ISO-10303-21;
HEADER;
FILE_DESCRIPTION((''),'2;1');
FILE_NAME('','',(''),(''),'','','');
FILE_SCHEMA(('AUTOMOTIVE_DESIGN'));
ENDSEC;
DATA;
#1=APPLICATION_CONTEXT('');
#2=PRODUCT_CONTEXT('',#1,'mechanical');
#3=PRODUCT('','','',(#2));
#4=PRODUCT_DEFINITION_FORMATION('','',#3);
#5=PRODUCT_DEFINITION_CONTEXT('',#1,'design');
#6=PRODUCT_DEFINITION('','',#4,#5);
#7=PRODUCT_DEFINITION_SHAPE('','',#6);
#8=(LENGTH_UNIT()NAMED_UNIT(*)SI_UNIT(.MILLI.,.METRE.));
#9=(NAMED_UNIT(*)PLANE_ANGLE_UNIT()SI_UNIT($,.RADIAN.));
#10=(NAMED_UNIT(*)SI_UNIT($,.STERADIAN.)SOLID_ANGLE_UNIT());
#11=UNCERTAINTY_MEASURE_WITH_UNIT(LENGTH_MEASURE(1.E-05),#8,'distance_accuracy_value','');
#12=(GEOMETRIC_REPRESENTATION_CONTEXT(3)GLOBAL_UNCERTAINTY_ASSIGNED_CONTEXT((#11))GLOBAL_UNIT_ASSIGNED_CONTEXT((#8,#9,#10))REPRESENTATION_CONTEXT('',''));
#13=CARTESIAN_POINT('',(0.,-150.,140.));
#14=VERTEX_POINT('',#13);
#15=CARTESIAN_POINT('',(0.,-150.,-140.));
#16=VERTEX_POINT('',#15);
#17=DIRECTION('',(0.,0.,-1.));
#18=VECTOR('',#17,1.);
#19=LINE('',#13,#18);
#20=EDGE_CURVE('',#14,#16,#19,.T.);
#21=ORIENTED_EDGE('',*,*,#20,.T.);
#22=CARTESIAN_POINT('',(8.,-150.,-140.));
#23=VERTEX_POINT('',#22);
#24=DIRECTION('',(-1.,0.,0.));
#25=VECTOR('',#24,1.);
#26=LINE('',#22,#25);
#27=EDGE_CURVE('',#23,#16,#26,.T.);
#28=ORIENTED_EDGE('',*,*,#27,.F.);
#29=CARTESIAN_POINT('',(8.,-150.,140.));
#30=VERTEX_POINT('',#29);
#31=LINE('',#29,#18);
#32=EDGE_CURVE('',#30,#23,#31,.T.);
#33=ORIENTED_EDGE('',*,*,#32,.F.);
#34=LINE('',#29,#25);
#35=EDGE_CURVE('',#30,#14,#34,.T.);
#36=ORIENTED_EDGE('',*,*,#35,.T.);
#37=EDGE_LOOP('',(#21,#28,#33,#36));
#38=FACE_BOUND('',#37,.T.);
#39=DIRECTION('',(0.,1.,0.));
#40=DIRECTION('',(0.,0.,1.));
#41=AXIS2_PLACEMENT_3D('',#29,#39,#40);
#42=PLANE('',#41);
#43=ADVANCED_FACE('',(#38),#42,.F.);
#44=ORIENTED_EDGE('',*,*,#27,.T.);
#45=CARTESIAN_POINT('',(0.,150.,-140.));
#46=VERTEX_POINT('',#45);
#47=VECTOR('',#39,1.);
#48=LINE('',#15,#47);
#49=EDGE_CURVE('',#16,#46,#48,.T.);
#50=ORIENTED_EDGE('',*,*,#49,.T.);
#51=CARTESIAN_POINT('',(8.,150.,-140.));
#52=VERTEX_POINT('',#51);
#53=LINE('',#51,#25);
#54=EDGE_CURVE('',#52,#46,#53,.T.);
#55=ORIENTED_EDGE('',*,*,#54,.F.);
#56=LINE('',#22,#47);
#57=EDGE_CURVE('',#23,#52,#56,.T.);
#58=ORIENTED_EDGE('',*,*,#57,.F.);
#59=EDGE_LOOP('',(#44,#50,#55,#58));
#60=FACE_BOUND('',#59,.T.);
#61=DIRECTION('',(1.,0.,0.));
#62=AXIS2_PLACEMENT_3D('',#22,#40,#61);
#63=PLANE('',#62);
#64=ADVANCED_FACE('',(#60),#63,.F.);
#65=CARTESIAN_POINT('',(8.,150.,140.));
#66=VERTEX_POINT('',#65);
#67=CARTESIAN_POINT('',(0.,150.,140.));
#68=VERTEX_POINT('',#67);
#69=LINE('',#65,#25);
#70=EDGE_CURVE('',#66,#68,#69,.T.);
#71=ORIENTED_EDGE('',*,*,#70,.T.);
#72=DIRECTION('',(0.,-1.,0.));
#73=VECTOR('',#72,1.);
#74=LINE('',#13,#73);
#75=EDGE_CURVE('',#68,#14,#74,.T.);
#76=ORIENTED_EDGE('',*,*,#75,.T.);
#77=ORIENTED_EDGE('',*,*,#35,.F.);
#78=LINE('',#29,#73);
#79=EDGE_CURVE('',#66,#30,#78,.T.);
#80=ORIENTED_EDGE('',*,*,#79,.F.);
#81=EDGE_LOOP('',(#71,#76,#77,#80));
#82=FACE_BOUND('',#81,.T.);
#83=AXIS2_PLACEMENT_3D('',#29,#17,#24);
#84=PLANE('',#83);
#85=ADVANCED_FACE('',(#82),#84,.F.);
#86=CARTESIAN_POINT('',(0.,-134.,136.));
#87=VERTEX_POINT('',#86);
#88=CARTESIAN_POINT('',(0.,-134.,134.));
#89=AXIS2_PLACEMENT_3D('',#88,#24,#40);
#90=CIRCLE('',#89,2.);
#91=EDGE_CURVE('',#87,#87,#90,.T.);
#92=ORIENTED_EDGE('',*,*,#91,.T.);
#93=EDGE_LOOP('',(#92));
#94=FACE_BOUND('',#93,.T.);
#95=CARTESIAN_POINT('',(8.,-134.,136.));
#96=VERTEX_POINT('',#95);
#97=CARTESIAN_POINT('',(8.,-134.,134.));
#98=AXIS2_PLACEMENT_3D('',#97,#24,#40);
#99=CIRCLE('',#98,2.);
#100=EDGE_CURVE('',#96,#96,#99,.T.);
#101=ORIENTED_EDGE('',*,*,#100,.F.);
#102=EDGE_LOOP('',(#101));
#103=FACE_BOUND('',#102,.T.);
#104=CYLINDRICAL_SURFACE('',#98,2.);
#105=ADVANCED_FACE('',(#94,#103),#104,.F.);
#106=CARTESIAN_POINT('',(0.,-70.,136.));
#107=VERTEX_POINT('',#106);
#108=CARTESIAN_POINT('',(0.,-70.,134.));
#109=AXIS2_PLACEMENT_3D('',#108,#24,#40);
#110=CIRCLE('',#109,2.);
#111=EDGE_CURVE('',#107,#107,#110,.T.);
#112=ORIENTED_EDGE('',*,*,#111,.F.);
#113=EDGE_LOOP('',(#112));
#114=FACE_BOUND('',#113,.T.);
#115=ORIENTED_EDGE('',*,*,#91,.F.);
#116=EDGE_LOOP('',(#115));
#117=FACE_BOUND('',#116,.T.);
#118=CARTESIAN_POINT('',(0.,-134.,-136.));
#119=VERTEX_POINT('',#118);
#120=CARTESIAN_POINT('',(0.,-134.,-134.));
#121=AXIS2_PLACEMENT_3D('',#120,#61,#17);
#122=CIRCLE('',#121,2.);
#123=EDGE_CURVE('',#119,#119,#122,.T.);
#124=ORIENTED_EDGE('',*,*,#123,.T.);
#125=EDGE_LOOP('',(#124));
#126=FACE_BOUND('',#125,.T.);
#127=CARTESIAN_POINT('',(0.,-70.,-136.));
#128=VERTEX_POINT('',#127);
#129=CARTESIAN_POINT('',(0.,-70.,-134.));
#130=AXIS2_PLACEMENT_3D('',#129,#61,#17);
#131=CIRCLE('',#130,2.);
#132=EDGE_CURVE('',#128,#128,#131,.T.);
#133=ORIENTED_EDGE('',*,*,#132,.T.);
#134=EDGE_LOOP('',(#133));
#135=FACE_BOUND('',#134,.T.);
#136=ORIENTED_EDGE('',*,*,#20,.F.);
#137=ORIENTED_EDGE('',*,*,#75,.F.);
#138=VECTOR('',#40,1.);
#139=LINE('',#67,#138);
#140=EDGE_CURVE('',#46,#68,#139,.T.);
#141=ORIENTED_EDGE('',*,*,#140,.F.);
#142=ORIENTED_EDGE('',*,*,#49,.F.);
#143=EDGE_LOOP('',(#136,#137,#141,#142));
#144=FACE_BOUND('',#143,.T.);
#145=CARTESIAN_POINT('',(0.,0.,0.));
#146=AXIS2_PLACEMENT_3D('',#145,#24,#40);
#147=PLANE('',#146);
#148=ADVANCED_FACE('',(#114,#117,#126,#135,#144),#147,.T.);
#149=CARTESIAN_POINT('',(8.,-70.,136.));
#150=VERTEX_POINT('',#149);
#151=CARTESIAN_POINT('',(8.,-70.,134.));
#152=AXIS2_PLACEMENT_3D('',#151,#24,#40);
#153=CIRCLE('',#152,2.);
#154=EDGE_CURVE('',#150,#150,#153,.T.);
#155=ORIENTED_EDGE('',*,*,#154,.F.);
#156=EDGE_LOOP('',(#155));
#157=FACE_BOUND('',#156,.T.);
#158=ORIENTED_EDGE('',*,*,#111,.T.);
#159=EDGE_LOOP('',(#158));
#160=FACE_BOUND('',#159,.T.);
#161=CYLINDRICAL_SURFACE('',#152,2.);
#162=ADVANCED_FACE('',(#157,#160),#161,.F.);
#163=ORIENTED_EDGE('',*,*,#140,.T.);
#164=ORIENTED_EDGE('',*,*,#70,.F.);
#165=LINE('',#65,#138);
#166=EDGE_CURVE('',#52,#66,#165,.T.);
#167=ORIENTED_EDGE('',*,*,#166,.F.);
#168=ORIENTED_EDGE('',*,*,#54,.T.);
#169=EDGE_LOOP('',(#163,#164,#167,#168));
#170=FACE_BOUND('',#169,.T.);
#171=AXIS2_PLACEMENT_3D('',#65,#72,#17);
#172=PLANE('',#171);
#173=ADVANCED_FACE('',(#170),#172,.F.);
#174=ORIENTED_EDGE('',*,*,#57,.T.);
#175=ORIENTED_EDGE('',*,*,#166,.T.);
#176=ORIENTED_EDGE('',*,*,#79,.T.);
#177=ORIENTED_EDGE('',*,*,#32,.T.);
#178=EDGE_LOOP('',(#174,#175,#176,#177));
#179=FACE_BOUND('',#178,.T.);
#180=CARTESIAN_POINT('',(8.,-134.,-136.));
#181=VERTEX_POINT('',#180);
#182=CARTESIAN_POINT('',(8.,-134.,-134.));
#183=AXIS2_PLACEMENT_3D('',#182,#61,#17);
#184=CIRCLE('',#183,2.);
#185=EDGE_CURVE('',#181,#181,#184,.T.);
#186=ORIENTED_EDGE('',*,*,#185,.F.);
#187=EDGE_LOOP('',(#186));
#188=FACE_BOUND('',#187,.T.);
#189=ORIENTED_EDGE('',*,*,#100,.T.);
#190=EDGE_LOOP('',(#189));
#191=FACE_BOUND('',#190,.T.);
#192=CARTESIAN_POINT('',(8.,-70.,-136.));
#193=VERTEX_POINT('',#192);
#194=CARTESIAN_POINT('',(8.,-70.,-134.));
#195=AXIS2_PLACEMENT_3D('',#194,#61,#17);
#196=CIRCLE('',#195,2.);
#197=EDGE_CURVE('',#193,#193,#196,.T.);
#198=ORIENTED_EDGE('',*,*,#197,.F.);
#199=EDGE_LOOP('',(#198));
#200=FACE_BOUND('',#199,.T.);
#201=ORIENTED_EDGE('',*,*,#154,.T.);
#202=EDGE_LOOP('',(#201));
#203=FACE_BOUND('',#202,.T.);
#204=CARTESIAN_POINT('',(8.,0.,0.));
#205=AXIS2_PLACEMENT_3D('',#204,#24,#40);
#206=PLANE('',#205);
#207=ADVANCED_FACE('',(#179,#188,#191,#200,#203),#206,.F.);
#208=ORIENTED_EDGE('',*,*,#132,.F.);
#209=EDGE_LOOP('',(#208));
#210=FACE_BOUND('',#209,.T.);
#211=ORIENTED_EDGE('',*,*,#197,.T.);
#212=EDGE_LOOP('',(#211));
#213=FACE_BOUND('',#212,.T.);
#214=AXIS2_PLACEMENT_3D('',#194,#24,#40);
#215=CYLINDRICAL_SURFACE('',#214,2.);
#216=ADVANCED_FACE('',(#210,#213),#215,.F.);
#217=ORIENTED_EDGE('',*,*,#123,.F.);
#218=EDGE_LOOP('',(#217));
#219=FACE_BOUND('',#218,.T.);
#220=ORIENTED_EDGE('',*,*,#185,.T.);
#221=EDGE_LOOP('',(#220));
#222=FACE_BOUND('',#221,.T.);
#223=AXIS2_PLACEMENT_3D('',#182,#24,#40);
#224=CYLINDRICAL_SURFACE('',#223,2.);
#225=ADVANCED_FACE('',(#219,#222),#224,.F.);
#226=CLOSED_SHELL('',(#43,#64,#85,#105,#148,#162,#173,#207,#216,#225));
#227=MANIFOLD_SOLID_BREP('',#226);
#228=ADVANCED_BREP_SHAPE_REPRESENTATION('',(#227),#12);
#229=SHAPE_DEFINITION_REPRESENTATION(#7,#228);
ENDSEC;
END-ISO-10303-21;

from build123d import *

# Parameters (mm, degrees)
SKETCH1_W           = 280
SKETCH1_H           = 300
BOSS_EXTRUDE1_DEPTH = 8
SKETCH2_R           = 2
CUT_EXTRUDE1_DEPTH  = 206.338744517


with BuildPart() as part:
    # Sketch1 → Boss-Extrude1 (new body)
    with BuildSketch(Plane(origin=(0, 0, 0), x_dir=(0, 0, -1), z_dir=(1, 0, 0))):
        Rectangle(SKETCH1_W, SKETCH1_H)
    extrude(amount=BOSS_EXTRUDE1_DEPTH)

    # Sketch2 → Cut-Extrude1 (cut, through all)
    with BuildSketch(Plane(origin=(0, 0, 0), x_dir=(0, 0, -1), z_dir=(1, 0, 0))):
        with Locations((134, -134)):
            Circle(SKETCH2_R)
        with Locations((134, -70)):
            Circle(SKETCH2_R)
    cut_extrude1 = extrude(amount=CUT_EXTRUDE1_DEPTH, mode=Mode.SUBTRACT)

    # Mirror1: Cut-Extrude1 across plane
    add(cut_extrude1.mirror(Plane.XY), mode=Mode.SUBTRACT)


solid = part.part
